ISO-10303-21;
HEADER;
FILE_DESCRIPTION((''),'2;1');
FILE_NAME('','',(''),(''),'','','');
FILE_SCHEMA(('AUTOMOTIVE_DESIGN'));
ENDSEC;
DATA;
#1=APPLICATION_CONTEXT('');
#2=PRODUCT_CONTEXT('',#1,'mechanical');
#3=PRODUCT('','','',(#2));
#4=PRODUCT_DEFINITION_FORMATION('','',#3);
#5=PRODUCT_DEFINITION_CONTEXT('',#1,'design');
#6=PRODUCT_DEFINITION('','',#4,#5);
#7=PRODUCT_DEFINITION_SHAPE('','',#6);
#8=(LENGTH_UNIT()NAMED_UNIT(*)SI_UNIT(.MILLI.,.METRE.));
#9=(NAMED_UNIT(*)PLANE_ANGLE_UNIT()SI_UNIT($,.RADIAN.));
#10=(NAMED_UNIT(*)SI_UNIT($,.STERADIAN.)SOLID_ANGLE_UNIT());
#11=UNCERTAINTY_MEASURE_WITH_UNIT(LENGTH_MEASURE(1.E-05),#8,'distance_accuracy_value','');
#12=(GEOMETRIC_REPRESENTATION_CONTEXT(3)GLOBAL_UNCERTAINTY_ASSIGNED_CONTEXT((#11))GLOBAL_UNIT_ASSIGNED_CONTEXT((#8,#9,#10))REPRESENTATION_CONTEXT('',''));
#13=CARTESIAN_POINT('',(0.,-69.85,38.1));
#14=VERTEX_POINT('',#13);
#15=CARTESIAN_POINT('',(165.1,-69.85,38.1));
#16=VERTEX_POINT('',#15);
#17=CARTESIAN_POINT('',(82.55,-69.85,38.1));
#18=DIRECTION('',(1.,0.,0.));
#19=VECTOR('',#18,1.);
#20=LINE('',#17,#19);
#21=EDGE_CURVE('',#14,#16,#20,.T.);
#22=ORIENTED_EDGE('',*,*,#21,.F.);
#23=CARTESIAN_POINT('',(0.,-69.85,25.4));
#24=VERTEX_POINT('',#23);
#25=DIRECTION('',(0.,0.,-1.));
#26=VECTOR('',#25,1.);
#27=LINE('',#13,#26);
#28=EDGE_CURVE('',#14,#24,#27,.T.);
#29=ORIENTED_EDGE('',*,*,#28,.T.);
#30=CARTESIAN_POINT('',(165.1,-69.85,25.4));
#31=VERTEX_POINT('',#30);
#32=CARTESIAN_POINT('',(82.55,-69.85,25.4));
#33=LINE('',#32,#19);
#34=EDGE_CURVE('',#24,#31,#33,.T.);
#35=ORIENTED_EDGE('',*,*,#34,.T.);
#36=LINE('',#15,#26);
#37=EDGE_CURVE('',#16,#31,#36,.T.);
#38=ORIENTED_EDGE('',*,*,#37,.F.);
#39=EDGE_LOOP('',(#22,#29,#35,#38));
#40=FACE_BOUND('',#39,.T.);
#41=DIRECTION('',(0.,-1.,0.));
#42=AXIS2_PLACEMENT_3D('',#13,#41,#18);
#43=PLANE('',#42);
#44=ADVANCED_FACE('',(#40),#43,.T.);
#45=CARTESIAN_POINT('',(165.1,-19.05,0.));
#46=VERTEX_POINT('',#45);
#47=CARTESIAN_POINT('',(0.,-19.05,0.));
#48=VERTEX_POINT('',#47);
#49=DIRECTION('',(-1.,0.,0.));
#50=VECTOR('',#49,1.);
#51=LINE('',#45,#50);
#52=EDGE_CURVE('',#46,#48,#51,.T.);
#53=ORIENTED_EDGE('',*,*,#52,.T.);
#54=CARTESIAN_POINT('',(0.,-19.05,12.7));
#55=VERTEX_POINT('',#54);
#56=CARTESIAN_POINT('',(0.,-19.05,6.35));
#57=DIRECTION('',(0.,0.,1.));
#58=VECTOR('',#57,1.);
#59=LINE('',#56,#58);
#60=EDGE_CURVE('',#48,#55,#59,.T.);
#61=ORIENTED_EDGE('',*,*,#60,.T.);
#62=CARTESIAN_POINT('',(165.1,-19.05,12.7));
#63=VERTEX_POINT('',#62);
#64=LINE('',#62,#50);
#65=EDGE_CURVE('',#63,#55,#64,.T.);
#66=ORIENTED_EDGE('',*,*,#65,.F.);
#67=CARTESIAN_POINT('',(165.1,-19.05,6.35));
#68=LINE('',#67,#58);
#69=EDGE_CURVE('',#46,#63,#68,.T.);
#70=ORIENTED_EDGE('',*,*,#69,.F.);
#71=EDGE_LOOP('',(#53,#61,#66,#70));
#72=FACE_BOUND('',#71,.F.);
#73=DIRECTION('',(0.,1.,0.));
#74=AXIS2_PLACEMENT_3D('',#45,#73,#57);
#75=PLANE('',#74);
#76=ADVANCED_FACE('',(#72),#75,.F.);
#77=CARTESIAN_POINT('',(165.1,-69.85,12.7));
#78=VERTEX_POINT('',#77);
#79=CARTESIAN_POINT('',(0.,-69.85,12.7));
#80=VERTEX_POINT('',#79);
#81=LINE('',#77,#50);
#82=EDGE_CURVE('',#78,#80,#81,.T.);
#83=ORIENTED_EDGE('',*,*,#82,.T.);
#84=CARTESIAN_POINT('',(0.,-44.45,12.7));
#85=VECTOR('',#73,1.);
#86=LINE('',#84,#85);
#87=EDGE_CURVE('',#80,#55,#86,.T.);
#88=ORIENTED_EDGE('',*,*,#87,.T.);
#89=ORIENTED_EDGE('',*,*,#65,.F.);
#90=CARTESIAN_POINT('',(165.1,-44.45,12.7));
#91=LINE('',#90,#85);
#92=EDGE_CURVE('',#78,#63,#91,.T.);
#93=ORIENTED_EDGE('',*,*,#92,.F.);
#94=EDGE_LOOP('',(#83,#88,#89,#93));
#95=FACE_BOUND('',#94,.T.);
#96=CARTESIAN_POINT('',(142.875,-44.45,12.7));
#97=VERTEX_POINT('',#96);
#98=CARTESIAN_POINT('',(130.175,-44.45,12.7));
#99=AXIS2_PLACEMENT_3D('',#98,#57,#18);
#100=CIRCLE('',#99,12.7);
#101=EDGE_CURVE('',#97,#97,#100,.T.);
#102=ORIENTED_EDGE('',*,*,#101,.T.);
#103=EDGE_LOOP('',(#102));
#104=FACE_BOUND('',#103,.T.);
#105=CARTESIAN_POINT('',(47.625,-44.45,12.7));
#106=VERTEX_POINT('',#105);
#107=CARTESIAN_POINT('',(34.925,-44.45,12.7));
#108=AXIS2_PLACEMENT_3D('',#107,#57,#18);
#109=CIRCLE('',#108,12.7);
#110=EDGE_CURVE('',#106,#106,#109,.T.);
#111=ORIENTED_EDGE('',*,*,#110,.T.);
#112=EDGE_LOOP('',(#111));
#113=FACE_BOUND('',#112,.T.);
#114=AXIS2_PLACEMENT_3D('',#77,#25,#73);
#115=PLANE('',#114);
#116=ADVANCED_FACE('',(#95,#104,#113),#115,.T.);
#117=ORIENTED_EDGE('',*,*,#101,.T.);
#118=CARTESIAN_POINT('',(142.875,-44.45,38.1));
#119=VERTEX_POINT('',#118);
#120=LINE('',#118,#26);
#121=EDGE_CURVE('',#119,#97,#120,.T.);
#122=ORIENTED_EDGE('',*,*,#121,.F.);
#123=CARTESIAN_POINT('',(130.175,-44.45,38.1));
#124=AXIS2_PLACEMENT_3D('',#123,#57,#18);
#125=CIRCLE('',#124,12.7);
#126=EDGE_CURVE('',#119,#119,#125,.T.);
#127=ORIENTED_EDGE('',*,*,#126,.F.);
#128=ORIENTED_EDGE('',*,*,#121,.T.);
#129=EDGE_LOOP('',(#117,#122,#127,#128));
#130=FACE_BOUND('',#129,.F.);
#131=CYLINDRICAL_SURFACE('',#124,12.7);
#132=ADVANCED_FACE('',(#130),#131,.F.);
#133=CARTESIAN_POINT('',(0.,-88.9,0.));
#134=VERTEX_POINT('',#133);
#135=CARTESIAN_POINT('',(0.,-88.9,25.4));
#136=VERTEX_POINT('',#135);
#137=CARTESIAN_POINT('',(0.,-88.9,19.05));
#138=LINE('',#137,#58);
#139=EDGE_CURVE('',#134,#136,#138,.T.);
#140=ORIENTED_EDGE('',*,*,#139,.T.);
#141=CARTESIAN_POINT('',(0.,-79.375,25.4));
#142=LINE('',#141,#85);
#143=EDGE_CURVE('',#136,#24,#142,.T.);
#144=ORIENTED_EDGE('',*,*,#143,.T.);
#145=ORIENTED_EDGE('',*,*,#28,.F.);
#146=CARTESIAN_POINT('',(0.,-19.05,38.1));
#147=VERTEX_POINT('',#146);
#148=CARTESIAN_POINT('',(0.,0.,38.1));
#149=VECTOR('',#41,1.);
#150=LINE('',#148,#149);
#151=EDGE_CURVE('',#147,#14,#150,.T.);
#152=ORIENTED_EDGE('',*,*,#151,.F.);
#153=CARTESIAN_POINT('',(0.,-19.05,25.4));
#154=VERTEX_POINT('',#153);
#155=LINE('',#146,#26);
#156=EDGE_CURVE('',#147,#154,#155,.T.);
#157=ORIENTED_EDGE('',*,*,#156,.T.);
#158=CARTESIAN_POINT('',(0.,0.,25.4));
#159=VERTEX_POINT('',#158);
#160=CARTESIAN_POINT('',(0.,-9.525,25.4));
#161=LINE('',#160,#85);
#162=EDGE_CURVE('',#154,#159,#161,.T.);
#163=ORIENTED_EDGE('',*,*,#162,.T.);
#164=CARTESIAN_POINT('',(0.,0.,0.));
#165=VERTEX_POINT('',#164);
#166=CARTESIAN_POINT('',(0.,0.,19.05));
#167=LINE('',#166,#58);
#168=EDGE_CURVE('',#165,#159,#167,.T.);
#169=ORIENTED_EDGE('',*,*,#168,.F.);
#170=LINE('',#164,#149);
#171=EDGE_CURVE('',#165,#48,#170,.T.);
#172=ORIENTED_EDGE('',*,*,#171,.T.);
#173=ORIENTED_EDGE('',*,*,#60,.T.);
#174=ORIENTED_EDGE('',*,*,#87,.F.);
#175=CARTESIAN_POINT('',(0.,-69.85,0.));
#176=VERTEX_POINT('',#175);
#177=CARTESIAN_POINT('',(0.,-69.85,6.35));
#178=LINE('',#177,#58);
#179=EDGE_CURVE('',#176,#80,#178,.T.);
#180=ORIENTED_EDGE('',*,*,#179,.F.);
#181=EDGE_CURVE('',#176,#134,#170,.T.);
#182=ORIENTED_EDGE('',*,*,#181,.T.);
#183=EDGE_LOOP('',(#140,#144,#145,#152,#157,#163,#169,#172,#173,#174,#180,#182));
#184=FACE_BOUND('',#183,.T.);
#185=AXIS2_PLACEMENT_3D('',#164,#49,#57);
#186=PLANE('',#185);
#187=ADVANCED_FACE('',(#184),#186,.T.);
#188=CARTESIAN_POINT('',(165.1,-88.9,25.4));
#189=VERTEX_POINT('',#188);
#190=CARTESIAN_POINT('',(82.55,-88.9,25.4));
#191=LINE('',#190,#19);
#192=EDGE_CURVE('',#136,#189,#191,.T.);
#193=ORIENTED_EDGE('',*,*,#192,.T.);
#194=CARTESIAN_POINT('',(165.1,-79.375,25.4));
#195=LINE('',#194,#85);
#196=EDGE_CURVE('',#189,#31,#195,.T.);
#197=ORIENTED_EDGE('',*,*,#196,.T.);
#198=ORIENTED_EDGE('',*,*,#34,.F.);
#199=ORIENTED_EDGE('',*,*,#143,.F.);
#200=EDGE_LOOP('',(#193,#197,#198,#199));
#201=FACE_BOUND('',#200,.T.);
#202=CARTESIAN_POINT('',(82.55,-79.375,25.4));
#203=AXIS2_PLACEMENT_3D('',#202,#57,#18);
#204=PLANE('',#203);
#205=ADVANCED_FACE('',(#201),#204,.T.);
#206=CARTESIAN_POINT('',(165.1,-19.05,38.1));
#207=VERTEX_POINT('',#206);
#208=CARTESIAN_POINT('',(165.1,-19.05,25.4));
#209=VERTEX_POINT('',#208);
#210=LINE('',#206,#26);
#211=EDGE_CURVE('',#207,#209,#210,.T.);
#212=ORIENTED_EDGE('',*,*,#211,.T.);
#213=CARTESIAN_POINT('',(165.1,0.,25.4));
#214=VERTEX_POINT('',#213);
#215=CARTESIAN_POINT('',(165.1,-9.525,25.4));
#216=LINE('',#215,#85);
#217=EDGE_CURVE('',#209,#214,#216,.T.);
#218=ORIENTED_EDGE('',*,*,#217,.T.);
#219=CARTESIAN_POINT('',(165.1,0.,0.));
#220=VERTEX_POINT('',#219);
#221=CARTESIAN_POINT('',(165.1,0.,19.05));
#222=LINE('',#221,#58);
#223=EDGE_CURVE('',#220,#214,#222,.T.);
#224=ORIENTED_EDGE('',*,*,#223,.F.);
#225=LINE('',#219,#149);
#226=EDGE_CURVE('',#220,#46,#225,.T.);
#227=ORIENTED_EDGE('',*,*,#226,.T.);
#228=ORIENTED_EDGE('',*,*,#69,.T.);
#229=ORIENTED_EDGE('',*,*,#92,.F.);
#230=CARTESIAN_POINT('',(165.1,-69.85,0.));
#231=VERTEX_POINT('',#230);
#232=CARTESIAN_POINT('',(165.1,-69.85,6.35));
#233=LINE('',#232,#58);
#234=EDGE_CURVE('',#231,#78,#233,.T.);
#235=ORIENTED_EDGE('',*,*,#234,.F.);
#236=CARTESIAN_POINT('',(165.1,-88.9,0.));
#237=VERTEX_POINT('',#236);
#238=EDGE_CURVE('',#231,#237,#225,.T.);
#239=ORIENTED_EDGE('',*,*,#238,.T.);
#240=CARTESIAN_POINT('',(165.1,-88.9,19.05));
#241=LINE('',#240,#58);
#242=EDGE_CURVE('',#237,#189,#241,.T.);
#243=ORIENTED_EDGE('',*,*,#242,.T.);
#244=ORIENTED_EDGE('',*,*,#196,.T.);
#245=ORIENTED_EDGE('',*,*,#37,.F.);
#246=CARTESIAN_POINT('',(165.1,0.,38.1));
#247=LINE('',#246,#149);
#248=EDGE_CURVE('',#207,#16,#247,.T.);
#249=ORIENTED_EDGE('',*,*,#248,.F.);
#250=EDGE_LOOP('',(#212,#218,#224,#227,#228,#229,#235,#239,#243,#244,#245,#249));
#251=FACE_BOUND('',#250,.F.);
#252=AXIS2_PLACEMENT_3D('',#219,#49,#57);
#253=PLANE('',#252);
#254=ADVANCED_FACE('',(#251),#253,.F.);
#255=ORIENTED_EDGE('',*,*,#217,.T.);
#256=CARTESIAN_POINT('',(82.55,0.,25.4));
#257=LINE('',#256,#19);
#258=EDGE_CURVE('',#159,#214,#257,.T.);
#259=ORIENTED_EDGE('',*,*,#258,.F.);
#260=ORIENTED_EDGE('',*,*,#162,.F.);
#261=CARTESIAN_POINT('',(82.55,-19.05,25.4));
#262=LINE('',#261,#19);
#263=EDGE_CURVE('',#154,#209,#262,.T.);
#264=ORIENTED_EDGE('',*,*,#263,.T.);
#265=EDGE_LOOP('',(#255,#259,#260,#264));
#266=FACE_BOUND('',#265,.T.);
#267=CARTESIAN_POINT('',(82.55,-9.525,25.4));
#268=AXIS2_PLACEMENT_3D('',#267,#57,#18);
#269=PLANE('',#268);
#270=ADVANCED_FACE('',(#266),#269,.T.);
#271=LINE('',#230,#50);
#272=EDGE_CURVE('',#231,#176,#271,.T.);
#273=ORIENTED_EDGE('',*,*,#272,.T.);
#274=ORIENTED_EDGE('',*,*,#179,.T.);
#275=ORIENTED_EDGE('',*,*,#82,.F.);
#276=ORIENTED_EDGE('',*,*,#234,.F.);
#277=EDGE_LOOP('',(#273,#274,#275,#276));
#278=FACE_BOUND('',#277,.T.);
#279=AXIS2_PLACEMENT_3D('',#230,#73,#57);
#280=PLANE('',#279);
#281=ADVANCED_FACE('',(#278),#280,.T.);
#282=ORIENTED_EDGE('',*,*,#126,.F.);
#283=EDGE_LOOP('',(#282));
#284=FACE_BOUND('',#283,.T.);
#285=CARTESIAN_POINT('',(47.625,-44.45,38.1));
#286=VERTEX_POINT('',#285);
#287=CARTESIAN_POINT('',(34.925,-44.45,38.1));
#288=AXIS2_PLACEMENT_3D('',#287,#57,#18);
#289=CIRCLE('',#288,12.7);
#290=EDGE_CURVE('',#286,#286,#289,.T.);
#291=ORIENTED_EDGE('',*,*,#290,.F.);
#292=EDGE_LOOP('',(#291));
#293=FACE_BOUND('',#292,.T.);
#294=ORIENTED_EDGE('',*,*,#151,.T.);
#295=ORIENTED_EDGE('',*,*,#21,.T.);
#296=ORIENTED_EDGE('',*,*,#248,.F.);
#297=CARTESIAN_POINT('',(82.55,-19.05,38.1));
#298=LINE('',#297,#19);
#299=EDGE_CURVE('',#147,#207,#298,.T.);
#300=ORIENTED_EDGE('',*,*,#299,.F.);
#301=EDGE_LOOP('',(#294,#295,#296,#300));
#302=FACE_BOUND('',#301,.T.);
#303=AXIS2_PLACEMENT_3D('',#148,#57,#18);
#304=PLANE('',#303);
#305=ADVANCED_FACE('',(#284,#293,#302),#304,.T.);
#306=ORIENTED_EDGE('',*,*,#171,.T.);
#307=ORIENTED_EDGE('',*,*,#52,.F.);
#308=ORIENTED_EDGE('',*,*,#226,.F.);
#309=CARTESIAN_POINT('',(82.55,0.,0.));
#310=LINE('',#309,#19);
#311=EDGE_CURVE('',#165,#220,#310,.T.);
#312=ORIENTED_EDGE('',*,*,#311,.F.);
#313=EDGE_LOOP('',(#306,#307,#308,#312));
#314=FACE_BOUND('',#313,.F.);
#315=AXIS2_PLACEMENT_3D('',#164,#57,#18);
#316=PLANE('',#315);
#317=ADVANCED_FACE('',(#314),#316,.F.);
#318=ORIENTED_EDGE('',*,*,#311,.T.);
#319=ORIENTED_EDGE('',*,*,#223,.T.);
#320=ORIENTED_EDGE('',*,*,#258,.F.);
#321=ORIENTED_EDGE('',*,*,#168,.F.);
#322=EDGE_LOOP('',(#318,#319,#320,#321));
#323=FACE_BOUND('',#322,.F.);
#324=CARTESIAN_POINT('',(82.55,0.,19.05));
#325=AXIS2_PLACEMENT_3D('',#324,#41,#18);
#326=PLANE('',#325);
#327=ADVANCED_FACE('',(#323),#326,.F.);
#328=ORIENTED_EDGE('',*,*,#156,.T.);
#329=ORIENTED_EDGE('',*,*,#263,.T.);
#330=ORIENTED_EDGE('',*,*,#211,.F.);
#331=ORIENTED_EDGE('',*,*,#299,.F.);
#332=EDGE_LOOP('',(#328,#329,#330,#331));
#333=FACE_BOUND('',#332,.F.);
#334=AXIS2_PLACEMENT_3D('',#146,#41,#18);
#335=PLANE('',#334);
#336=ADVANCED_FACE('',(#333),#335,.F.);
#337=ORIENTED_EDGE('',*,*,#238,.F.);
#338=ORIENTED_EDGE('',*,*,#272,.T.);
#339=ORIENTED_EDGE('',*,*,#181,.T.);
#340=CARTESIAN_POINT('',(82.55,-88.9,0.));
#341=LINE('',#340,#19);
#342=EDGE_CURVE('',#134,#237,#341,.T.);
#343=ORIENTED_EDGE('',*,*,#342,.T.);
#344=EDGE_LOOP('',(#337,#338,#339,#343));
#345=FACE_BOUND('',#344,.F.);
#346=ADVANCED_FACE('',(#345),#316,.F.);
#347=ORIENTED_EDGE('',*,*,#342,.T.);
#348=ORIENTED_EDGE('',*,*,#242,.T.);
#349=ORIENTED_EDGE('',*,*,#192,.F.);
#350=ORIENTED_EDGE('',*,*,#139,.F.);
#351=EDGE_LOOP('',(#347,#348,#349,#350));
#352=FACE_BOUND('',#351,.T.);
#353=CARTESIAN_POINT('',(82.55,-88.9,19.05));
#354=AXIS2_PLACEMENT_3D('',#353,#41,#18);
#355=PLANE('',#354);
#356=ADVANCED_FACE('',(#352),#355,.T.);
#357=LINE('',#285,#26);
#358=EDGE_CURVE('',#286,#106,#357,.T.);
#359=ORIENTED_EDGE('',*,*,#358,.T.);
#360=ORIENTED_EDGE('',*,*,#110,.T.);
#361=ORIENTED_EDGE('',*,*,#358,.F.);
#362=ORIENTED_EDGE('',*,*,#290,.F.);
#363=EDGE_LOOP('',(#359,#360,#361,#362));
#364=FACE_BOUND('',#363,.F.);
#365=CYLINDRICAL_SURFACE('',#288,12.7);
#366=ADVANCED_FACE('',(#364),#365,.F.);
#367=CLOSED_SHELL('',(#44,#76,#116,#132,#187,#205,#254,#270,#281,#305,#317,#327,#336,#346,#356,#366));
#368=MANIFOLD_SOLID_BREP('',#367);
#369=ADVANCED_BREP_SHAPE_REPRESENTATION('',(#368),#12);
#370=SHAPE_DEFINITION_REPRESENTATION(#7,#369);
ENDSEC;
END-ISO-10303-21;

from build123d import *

# Parameters (mm, degrees)
F0_W     = 165.1
F0_H     = 38.1
F1_DEPTH = 88.9
F2_W     = 50.8
F2_H     = 12.7
F3_DEPTH = 165.1
F4_W     = 165.1
F4_H     = 19.05
F5_DEPTH = 12.7
F6_DEPTH = 12.7
F7_R     = 12.7
F8_DEPTH = 25.4
F9_DEPTH = 25.4


with BuildPart() as f1:
    # F0 (on Front) → F1 (new body)
    with BuildSketch(Plane.XZ):
        with Locations((82.55, 19.05)):
            Rectangle(F0_W, F0_H)
    extrude(amount=F1_DEPTH)

    # F2 (on face) → F3 (cut)
    with BuildSketch(Plane.YZ.offset(165.1)):
        with Locations((-44.45, 6.35)):
            Rectangle(F2_W, F2_H)
    extrude(amount=-F3_DEPTH, mode=Mode.SUBTRACT)

    # F4 (on face) → F5 (cut)
    with BuildSketch(Plane.XY.offset(38.1)):
        with Locations((82.55, -79.375)):
            Rectangle(F4_W, F4_H)
    extrude(amount=-F5_DEPTH, mode=Mode.SUBTRACT)

    # F4 (on face) → F6 (cut)
    with BuildSketch(Plane.XY.offset(38.1)):
        with Locations((82.55, -9.525)):
            Rectangle(F4_W, F4_H)
    extrude(amount=-F6_DEPTH, mode=Mode.SUBTRACT)

    # F7 (on face) → F8 (cut, through all)
    with BuildSketch(Plane.XY.offset(38.1)):
        with Locations((130.175, -44.45)):
            Circle(F7_R)
    extrude(amount=-F8_DEPTH, mode=Mode.SUBTRACT)

    # F7 (on face) → F9 (cut, through all)
    with BuildSketch(Plane.XY.offset(38.1)):
        with Locations((34.925, -44.45)):
            Circle(F7_R)
    extrude(amount=-F9_DEPTH, mode=Mode.SUBTRACT)


solid = f1.part
